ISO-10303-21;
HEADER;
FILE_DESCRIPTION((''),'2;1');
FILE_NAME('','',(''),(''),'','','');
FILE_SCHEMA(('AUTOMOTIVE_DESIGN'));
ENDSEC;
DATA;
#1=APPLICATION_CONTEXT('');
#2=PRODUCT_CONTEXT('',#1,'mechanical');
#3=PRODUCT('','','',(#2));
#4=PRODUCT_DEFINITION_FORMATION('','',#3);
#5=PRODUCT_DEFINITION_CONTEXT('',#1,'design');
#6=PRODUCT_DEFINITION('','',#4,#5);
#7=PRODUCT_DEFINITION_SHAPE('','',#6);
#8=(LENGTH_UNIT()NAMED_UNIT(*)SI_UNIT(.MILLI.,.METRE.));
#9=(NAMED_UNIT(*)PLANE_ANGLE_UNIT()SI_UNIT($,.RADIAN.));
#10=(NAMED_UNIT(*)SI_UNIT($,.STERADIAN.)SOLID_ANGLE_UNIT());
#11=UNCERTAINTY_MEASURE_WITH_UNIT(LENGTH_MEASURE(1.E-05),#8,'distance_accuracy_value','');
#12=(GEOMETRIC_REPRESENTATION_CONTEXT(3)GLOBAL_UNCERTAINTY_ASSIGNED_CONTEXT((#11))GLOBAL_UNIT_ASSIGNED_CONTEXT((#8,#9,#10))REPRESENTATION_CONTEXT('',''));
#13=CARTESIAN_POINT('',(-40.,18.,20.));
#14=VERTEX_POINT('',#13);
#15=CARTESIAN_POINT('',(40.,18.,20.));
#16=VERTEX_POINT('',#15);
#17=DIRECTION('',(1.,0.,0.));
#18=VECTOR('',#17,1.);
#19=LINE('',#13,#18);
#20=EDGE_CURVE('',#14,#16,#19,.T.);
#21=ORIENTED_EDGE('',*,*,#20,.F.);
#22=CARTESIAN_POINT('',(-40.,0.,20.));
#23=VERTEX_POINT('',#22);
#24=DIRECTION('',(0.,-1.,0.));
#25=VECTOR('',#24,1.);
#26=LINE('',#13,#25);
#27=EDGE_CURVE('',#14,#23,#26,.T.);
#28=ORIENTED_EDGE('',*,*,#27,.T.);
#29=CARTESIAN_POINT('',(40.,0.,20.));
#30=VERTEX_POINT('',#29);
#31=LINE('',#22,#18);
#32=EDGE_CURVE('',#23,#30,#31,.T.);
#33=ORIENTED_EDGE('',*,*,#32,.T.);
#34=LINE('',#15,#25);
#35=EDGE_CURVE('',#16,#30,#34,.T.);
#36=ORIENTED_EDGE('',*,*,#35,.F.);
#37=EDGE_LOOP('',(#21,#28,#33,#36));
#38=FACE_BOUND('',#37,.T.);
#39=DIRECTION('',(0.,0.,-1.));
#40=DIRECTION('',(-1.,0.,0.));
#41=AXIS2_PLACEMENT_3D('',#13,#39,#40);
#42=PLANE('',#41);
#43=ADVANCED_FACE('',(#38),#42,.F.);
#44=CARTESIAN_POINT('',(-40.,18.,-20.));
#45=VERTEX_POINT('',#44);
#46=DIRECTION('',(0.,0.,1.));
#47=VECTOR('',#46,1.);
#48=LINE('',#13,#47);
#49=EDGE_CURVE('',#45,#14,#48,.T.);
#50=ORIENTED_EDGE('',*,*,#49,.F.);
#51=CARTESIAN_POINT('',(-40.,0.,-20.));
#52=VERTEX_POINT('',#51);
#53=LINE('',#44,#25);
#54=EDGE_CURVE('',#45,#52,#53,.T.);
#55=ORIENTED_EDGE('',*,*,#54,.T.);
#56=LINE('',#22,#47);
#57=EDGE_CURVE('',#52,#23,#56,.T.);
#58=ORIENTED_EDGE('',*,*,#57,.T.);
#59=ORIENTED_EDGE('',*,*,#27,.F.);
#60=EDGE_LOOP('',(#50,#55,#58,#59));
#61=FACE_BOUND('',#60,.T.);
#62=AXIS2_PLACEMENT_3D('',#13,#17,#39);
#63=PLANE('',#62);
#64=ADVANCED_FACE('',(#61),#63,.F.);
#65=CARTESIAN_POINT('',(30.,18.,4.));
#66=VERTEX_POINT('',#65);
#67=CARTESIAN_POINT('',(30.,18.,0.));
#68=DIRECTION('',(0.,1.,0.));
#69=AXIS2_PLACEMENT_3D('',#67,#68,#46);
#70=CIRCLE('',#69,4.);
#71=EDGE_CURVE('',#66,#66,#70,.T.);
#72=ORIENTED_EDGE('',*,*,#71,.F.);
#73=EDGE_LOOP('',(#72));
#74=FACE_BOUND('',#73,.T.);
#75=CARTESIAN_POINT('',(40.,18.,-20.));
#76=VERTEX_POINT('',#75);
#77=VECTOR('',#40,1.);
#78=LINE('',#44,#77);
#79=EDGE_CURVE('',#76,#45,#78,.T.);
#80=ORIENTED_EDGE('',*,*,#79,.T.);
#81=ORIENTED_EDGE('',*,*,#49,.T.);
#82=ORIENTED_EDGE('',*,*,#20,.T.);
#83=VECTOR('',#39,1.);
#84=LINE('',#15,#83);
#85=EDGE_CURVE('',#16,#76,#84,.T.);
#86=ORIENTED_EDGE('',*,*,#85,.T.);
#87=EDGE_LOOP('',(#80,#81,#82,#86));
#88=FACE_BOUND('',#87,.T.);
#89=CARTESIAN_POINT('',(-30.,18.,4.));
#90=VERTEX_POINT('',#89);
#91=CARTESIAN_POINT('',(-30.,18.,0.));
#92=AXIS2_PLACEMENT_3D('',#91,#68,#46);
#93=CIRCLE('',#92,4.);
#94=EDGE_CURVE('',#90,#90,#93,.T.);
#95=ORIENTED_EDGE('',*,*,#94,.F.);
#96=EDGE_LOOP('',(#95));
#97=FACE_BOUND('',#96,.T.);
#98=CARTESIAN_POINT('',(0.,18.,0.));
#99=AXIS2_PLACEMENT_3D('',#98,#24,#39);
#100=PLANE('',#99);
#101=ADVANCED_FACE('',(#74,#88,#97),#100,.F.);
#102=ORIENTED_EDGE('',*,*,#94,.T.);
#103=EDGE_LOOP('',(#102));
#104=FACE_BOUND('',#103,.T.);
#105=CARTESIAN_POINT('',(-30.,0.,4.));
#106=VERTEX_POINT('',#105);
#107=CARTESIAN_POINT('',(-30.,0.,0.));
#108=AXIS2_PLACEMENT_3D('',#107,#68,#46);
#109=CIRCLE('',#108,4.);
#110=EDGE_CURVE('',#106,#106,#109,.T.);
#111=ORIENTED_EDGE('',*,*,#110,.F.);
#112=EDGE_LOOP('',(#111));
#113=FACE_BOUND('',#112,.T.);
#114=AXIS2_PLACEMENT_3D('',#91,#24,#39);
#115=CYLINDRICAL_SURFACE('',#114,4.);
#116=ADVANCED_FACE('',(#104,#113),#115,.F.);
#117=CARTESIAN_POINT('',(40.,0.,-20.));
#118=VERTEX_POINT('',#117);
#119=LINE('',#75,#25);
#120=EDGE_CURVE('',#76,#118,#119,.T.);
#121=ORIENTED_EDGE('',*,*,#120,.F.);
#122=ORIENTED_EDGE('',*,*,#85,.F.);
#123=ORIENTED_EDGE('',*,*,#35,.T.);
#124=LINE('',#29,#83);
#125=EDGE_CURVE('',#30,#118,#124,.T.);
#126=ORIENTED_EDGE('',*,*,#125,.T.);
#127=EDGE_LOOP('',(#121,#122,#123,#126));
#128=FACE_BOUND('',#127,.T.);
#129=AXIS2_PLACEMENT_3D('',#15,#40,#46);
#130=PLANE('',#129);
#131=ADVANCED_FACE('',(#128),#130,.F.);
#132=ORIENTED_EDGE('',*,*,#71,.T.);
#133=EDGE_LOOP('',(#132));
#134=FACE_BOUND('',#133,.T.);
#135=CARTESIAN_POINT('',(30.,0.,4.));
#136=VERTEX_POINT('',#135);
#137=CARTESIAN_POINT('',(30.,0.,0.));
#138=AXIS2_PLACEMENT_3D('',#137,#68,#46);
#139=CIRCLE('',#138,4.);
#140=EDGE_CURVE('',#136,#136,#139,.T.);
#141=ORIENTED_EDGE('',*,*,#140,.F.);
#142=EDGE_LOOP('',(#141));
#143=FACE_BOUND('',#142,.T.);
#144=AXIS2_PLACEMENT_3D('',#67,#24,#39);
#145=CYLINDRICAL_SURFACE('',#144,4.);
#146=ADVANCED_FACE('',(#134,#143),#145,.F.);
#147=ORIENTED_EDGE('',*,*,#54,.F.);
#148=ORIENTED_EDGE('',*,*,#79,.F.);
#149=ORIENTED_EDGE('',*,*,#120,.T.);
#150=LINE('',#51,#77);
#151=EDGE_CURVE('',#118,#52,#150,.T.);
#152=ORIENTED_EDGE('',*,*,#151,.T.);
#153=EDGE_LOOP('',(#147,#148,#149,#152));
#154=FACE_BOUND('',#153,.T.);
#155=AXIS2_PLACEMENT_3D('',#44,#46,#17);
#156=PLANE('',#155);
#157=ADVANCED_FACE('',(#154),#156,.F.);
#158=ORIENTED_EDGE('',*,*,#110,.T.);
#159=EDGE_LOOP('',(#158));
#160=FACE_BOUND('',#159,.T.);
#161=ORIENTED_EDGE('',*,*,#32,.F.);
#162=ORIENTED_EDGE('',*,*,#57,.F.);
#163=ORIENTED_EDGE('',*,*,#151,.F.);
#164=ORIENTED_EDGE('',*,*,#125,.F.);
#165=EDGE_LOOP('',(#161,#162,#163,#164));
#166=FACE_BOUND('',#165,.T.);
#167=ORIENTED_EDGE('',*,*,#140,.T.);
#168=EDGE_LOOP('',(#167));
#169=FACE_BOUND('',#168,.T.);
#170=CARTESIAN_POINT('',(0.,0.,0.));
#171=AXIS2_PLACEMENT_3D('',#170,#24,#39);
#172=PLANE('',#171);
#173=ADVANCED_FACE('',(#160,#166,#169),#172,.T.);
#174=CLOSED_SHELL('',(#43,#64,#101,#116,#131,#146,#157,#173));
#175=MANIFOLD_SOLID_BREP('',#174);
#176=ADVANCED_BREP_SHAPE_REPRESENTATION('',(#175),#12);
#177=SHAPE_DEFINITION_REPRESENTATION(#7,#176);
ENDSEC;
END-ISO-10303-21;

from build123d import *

# Parameters (mm, degrees)
SKETCH1_W           = 80
SKETCH1_H           = 40
SKETCH1_R           = 4
BOSS_EXTRUDE1_DEPTH = 18


with BuildPart() as part:
    # Sketch1 → Boss-Extrude1 (new body)
    with BuildSketch(Plane(origin=(0, 0, 0), x_dir=(1, 0, 0), z_dir=(0, 1, 0))):
        Rectangle(SKETCH1_W, SKETCH1_H)
        with Locations(Location((30, 0, 0), (0, 0, 270))):
            Circle(SKETCH1_R, mode=Mode.SUBTRACT)
        with Locations(Location((-30, 0, 0), (0, 0, 270))):
            Circle(SKETCH1_R, mode=Mode.SUBTRACT)
    extrude(amount=BOSS_EXTRUDE1_DEPTH)


solid = part.part
